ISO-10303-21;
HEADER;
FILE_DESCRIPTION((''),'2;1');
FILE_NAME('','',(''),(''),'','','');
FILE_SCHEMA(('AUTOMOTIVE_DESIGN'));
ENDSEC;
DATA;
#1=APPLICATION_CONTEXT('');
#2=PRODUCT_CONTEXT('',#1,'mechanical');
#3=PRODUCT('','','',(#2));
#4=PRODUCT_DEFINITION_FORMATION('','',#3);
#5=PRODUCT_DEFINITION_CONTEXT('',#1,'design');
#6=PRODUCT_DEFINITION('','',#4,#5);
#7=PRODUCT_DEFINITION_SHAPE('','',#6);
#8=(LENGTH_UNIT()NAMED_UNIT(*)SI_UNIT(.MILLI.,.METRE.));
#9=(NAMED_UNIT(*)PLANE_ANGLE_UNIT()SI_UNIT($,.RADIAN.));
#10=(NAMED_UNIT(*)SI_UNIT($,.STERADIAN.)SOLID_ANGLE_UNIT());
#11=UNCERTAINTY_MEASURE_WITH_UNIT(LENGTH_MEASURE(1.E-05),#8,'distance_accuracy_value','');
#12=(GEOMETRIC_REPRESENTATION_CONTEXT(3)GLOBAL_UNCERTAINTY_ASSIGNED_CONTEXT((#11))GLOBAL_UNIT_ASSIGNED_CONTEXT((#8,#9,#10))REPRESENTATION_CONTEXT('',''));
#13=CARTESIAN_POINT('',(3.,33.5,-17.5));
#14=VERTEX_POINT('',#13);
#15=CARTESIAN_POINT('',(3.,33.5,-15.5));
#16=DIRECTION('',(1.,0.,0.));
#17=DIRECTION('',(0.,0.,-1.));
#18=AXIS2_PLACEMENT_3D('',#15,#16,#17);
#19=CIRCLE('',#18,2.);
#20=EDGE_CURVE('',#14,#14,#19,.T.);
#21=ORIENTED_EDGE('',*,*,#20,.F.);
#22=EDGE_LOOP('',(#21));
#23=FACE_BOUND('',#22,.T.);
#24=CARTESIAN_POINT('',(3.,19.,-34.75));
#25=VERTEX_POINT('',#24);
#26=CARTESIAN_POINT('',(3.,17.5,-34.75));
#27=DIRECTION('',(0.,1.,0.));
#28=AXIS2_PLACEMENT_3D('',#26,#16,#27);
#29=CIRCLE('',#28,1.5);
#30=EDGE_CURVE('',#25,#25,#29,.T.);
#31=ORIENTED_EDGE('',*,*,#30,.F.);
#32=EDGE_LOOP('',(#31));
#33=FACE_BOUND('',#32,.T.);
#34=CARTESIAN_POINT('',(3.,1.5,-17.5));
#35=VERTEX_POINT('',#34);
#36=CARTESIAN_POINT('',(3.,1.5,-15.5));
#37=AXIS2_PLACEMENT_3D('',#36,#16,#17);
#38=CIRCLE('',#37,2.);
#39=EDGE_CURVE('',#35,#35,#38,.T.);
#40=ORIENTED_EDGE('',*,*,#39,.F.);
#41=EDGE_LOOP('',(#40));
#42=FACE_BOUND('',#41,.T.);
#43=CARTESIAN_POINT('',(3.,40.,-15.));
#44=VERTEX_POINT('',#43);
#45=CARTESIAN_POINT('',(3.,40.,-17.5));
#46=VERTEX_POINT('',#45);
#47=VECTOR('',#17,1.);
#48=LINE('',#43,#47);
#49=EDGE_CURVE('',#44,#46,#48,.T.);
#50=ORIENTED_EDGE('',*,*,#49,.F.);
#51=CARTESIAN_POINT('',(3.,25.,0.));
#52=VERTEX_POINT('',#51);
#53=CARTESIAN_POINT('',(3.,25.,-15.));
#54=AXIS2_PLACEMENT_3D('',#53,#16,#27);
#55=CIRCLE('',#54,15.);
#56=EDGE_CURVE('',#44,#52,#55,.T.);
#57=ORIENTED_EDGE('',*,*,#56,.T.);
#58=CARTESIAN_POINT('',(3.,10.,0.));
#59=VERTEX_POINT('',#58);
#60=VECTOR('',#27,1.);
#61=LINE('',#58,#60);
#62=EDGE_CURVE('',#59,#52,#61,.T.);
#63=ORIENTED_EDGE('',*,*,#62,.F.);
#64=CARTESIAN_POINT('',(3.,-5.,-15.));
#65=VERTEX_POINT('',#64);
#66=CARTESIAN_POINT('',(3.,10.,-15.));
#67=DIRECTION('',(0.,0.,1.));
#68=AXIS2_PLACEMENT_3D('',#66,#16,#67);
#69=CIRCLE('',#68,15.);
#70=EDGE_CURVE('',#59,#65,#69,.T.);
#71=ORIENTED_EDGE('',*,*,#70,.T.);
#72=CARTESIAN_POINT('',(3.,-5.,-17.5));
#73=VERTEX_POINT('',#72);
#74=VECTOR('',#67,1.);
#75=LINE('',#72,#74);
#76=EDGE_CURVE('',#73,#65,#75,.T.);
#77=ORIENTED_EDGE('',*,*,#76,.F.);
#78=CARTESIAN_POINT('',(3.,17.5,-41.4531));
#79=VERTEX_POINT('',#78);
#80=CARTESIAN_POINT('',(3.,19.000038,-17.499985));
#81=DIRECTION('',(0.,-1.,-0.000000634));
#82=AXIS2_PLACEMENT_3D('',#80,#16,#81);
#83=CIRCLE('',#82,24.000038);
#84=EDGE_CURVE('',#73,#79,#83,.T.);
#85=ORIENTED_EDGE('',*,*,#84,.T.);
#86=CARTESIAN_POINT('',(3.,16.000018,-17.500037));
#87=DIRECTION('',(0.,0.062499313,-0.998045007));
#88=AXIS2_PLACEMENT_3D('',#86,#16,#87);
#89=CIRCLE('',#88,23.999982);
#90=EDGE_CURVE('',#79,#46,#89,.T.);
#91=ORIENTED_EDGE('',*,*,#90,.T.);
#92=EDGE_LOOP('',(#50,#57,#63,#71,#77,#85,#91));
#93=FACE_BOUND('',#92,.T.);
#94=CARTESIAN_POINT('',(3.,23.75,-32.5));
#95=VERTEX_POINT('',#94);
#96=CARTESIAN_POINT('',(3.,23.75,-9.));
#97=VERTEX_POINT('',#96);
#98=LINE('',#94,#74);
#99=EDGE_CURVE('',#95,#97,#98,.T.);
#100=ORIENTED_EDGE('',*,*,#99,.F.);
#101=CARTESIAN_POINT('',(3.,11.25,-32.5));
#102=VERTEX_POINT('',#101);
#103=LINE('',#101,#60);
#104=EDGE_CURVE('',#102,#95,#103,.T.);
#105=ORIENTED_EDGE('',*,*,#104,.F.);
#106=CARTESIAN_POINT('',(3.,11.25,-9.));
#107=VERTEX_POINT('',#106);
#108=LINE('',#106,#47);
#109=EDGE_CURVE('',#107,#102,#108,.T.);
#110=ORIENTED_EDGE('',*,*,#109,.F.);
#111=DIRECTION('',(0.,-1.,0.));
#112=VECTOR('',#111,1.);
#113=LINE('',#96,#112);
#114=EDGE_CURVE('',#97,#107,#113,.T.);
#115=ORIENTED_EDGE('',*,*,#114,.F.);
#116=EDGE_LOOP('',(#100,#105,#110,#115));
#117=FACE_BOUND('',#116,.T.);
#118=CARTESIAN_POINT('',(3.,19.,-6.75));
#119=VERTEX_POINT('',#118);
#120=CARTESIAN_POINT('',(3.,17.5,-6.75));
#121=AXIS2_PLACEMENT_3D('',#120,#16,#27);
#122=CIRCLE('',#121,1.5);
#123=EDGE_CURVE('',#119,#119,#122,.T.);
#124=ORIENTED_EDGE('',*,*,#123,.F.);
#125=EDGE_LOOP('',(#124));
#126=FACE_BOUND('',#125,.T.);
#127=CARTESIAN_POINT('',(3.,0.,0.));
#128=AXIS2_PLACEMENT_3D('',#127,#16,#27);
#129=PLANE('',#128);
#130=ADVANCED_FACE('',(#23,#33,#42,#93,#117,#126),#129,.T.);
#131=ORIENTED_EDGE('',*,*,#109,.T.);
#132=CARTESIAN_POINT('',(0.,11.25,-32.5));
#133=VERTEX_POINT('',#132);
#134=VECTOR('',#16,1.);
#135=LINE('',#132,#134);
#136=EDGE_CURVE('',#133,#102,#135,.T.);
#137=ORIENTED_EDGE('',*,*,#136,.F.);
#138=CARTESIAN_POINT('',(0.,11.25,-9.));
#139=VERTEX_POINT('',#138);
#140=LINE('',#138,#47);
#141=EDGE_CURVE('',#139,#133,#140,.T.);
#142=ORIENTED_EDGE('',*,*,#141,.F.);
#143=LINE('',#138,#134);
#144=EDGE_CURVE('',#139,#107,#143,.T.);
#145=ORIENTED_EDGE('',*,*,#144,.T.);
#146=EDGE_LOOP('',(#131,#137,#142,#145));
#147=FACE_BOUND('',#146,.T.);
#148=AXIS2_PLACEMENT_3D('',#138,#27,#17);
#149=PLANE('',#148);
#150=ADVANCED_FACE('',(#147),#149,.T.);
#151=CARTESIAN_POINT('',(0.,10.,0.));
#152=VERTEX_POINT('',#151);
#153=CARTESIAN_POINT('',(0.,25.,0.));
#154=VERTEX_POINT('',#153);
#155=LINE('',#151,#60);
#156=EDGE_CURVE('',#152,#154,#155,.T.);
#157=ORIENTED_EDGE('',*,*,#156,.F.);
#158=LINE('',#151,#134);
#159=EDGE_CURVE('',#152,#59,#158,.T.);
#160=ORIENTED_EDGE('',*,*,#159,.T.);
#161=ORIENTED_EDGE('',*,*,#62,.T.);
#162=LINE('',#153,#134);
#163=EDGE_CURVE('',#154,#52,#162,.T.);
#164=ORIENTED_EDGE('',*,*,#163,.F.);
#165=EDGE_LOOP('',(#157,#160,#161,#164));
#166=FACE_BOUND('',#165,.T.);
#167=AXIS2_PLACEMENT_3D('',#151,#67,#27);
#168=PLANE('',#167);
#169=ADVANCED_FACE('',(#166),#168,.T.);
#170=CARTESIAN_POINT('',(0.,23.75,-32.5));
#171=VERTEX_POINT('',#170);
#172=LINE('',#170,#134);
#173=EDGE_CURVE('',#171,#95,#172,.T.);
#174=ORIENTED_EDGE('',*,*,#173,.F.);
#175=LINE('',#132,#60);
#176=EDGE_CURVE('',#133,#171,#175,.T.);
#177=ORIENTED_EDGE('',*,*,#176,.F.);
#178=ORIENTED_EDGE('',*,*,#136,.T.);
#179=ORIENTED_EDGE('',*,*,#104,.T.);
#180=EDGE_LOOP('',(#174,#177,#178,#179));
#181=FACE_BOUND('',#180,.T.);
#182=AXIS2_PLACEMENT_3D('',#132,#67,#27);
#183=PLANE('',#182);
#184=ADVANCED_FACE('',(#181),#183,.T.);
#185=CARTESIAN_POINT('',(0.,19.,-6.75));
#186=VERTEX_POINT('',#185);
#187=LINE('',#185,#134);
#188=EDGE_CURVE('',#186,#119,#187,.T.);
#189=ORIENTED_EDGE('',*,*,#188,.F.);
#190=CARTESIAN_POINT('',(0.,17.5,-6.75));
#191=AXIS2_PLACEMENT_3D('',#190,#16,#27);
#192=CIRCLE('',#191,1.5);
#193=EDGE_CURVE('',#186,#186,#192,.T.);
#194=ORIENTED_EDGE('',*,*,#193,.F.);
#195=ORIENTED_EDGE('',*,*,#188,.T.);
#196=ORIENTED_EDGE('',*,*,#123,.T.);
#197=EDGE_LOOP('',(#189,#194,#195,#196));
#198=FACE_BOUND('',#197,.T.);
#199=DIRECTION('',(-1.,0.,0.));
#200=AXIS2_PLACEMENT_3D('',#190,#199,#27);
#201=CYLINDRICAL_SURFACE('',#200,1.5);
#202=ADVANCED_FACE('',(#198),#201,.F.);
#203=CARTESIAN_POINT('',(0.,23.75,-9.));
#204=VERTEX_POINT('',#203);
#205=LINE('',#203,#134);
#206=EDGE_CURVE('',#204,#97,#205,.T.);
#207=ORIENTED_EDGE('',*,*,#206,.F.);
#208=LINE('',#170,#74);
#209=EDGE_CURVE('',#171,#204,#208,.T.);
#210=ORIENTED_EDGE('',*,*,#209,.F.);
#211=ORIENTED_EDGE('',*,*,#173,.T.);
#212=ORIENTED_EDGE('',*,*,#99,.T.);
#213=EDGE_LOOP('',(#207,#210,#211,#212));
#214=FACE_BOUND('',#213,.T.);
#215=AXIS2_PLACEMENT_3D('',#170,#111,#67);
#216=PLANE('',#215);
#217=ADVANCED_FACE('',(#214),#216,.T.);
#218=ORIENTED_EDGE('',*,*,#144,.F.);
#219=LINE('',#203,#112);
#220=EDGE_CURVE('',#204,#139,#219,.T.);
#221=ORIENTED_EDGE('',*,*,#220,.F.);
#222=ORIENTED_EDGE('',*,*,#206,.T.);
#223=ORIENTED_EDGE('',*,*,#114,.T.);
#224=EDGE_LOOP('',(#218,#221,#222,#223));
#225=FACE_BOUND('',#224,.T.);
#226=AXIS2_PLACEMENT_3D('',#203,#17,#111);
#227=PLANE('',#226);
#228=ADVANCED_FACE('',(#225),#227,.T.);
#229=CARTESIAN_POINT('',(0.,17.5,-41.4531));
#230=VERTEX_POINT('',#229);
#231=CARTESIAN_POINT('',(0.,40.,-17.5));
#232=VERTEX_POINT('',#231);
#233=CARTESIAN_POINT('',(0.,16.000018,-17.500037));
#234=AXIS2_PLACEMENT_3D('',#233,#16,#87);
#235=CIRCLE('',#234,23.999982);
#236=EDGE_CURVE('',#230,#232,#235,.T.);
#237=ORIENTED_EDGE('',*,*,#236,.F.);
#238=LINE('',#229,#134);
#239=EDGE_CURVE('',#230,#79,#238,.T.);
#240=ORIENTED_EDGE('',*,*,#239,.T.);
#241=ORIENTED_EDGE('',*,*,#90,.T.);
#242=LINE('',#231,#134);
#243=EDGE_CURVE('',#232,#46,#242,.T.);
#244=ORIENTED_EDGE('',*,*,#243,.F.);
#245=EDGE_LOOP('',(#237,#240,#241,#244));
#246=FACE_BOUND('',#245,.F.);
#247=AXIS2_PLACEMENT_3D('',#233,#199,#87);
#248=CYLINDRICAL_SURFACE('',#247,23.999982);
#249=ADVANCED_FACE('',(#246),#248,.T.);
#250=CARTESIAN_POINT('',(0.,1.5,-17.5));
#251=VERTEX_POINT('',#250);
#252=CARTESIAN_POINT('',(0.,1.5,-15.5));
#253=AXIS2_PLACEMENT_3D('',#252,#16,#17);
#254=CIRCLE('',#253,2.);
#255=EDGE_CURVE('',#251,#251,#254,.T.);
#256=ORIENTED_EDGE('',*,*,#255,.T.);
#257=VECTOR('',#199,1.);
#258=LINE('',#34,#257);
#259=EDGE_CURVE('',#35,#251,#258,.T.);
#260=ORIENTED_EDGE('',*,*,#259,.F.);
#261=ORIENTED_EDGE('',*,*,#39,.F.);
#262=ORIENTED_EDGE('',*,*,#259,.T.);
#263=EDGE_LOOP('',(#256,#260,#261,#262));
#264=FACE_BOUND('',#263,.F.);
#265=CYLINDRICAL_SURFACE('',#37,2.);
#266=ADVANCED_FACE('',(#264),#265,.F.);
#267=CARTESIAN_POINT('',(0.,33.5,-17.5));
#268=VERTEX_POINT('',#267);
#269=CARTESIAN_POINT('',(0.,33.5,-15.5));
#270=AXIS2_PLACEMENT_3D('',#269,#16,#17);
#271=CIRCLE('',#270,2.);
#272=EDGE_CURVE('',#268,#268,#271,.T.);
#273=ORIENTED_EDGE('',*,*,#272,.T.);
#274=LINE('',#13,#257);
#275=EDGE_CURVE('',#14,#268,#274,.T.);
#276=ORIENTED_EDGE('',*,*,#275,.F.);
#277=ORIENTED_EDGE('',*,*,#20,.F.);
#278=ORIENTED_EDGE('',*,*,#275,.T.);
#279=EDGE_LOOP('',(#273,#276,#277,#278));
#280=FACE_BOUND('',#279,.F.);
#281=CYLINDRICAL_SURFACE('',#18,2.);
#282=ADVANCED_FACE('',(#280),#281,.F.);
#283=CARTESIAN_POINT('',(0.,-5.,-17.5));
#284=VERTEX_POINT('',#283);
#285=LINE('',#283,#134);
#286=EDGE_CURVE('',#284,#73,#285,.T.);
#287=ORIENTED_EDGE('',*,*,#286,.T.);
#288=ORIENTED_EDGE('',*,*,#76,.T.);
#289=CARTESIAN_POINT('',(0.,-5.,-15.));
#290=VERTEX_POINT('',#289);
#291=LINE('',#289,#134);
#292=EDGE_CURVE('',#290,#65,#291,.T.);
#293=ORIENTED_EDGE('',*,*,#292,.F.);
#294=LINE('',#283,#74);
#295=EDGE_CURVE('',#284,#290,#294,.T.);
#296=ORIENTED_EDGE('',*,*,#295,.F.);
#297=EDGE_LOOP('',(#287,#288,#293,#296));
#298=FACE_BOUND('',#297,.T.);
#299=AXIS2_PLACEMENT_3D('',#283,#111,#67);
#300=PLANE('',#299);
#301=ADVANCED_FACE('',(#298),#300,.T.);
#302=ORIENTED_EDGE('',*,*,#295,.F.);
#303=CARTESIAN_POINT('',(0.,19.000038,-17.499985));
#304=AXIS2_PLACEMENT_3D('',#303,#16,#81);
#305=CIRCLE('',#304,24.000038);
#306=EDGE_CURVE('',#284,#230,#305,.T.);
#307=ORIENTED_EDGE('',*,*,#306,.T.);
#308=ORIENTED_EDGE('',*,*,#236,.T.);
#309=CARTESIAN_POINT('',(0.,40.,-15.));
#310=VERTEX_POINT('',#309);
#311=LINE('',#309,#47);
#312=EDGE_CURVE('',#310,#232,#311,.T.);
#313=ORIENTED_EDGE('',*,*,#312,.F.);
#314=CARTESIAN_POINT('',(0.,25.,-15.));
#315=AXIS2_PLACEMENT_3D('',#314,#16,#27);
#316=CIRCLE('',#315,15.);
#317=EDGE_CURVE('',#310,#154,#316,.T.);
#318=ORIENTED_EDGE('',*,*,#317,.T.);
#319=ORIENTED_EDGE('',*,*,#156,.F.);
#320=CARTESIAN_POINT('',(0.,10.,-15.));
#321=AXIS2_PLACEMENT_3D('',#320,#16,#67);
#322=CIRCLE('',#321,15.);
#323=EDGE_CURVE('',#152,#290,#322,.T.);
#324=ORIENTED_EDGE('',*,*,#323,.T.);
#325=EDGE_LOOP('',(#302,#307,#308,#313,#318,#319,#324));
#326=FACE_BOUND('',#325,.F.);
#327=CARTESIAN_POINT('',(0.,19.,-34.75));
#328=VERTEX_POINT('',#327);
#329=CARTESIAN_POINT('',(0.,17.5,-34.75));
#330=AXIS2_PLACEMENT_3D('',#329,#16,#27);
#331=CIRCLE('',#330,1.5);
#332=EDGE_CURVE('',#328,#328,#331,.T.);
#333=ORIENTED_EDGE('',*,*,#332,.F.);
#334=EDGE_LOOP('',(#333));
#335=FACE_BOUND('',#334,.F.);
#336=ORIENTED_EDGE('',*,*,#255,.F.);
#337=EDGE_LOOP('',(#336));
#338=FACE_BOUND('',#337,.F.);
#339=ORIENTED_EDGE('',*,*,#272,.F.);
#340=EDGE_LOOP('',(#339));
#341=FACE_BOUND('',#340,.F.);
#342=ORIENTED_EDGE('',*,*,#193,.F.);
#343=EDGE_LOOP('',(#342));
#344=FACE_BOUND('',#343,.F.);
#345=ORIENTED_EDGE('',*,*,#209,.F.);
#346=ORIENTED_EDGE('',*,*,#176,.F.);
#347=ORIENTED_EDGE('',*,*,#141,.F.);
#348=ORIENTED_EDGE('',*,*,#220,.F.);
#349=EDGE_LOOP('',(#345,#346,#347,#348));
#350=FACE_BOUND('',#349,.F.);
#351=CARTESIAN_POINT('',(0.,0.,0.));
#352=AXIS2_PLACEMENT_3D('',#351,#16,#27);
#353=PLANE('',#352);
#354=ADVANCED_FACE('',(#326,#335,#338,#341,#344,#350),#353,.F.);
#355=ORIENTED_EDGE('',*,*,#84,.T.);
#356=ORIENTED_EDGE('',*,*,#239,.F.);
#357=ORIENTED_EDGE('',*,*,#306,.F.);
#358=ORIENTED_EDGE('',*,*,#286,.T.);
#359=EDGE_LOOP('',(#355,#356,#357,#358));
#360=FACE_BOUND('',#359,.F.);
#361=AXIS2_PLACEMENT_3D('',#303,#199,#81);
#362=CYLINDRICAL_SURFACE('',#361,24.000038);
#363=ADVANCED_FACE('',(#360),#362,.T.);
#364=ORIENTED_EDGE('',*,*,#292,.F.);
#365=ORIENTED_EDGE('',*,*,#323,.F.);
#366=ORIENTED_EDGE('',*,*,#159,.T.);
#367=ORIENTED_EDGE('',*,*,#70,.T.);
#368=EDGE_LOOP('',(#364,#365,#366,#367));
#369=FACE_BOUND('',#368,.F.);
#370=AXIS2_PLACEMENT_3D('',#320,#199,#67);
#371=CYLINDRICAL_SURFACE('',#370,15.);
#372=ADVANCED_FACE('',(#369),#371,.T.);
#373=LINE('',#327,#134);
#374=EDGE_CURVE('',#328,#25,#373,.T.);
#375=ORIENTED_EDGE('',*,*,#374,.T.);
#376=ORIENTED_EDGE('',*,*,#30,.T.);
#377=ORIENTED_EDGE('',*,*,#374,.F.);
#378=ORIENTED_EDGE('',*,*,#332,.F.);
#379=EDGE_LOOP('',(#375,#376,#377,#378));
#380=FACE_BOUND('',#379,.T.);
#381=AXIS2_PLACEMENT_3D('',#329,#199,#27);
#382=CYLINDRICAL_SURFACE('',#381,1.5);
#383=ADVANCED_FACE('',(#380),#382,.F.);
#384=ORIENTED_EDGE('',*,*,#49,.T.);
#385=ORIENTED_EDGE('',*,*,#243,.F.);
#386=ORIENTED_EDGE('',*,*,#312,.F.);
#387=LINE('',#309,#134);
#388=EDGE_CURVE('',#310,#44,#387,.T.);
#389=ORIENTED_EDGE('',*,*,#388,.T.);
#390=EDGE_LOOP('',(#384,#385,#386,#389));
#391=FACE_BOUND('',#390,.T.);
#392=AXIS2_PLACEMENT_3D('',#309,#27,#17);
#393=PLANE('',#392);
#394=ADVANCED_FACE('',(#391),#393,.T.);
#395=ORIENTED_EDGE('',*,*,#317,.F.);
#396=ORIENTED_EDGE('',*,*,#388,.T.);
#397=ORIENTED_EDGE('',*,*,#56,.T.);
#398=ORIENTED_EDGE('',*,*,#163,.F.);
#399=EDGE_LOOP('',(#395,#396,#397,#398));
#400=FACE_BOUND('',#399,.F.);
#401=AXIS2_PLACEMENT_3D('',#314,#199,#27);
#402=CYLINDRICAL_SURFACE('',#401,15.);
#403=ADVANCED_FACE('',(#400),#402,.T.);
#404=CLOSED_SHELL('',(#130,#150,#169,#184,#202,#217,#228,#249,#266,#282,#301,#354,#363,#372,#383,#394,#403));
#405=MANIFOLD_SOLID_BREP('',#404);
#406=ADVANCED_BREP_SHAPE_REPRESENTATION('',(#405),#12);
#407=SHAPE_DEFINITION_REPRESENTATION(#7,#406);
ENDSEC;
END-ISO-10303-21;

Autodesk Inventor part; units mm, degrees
ref_plane "YZ Plane" through (0, 0, 0) normal (1, 0, 0) x (0, 1, 0)
ref_plane "XZ Plane" through (0, 0, 0) normal (0, 1, 0) x (-1, 0, 0)
ref_plane "XY Plane" through (0, 0, 0) normal (0, 0, 1) x (1, 0, 0)
sketch "Sketch1" plane through (0, 0, 0) normal (1, 0, 0) x (0, 1, 0)
  line L0 (10, 0) -> (25, 0)
  line L1 (40, -15) -> (40, -17.5)
  line L2 (-5, -17.5) -> (-5, -15)
  line L3 (23.75, -9) -> (11.25, -9)
  line L4 (11.25, -9) -> (11.25, -32.5)
  line L5 (11.25, -32.5) -> (23.75, -32.5)
  line L6 (23.75, -32.5) -> (23.75, -9)
  circle A0 centre (17.5, -6.75) radius 1.5
  circle A1 centre (17.5, -34.75) radius 1.5
  arc A2 (10, 0) -> (-5, -15) centre (10, -15) ccw
  arc A3 (40, -15) -> (25, 0) centre (25, -15) ccw
  arc A4 (-5, -17.5) -> (17.5, -41.4531) centre (19, -17.5) ccw
  arc A5 (17.5, -41.4531) -> (40, -17.5) centre (16, -17.5) ccw
  point P0 (40, -41.5)
  point P1 (40, 0)
  point P2 (-5, -41.5)
  dimension "d0" = 41.5
  dimension "d1" = 45
  dimension "d3" = 12.5
  dimension "d4" = 23.5
  dimension "d5" = 16.25
  dimension "d6" = 3
  dimension "d7" = 2.25
  dimension "d8" = 2.25
  dimension "d30" = 3
  dimension "d31" = 6.75
  dimension "d32" = 22.5
  dimension "d33" = 22.5
  dimension "d62" = 15
  dimension "d63" = 24
extrude "Extrusion1" add sketch "Sketch1" along normal blind 3
sketch "Sketch11" plane through (3, 0, 0) normal (1, 0, 0) x (0, 0, -1)
  circle A0 centre (15.5, 1.5) radius 2
  circle A1 centre (15.5, 33.5) radius 2
  line L0 (0, 25) -> (0, 0) projected
  circle A2 centre (6.75, 17.5) radius 1.5 projected
  point P0 (0, 40)
  dimension "d55" = 15.5
  dimension "d56" = 16
  dimension "d57" = 4
  dimension "d58" = 4
  dimension "d60" = 15.5
  dimension "d61" = 16
extrude "Extrusion11" cut sketch "Sketch11" against normal through all contours A0 | A1
properties part number "new_micro_servo_mount"
